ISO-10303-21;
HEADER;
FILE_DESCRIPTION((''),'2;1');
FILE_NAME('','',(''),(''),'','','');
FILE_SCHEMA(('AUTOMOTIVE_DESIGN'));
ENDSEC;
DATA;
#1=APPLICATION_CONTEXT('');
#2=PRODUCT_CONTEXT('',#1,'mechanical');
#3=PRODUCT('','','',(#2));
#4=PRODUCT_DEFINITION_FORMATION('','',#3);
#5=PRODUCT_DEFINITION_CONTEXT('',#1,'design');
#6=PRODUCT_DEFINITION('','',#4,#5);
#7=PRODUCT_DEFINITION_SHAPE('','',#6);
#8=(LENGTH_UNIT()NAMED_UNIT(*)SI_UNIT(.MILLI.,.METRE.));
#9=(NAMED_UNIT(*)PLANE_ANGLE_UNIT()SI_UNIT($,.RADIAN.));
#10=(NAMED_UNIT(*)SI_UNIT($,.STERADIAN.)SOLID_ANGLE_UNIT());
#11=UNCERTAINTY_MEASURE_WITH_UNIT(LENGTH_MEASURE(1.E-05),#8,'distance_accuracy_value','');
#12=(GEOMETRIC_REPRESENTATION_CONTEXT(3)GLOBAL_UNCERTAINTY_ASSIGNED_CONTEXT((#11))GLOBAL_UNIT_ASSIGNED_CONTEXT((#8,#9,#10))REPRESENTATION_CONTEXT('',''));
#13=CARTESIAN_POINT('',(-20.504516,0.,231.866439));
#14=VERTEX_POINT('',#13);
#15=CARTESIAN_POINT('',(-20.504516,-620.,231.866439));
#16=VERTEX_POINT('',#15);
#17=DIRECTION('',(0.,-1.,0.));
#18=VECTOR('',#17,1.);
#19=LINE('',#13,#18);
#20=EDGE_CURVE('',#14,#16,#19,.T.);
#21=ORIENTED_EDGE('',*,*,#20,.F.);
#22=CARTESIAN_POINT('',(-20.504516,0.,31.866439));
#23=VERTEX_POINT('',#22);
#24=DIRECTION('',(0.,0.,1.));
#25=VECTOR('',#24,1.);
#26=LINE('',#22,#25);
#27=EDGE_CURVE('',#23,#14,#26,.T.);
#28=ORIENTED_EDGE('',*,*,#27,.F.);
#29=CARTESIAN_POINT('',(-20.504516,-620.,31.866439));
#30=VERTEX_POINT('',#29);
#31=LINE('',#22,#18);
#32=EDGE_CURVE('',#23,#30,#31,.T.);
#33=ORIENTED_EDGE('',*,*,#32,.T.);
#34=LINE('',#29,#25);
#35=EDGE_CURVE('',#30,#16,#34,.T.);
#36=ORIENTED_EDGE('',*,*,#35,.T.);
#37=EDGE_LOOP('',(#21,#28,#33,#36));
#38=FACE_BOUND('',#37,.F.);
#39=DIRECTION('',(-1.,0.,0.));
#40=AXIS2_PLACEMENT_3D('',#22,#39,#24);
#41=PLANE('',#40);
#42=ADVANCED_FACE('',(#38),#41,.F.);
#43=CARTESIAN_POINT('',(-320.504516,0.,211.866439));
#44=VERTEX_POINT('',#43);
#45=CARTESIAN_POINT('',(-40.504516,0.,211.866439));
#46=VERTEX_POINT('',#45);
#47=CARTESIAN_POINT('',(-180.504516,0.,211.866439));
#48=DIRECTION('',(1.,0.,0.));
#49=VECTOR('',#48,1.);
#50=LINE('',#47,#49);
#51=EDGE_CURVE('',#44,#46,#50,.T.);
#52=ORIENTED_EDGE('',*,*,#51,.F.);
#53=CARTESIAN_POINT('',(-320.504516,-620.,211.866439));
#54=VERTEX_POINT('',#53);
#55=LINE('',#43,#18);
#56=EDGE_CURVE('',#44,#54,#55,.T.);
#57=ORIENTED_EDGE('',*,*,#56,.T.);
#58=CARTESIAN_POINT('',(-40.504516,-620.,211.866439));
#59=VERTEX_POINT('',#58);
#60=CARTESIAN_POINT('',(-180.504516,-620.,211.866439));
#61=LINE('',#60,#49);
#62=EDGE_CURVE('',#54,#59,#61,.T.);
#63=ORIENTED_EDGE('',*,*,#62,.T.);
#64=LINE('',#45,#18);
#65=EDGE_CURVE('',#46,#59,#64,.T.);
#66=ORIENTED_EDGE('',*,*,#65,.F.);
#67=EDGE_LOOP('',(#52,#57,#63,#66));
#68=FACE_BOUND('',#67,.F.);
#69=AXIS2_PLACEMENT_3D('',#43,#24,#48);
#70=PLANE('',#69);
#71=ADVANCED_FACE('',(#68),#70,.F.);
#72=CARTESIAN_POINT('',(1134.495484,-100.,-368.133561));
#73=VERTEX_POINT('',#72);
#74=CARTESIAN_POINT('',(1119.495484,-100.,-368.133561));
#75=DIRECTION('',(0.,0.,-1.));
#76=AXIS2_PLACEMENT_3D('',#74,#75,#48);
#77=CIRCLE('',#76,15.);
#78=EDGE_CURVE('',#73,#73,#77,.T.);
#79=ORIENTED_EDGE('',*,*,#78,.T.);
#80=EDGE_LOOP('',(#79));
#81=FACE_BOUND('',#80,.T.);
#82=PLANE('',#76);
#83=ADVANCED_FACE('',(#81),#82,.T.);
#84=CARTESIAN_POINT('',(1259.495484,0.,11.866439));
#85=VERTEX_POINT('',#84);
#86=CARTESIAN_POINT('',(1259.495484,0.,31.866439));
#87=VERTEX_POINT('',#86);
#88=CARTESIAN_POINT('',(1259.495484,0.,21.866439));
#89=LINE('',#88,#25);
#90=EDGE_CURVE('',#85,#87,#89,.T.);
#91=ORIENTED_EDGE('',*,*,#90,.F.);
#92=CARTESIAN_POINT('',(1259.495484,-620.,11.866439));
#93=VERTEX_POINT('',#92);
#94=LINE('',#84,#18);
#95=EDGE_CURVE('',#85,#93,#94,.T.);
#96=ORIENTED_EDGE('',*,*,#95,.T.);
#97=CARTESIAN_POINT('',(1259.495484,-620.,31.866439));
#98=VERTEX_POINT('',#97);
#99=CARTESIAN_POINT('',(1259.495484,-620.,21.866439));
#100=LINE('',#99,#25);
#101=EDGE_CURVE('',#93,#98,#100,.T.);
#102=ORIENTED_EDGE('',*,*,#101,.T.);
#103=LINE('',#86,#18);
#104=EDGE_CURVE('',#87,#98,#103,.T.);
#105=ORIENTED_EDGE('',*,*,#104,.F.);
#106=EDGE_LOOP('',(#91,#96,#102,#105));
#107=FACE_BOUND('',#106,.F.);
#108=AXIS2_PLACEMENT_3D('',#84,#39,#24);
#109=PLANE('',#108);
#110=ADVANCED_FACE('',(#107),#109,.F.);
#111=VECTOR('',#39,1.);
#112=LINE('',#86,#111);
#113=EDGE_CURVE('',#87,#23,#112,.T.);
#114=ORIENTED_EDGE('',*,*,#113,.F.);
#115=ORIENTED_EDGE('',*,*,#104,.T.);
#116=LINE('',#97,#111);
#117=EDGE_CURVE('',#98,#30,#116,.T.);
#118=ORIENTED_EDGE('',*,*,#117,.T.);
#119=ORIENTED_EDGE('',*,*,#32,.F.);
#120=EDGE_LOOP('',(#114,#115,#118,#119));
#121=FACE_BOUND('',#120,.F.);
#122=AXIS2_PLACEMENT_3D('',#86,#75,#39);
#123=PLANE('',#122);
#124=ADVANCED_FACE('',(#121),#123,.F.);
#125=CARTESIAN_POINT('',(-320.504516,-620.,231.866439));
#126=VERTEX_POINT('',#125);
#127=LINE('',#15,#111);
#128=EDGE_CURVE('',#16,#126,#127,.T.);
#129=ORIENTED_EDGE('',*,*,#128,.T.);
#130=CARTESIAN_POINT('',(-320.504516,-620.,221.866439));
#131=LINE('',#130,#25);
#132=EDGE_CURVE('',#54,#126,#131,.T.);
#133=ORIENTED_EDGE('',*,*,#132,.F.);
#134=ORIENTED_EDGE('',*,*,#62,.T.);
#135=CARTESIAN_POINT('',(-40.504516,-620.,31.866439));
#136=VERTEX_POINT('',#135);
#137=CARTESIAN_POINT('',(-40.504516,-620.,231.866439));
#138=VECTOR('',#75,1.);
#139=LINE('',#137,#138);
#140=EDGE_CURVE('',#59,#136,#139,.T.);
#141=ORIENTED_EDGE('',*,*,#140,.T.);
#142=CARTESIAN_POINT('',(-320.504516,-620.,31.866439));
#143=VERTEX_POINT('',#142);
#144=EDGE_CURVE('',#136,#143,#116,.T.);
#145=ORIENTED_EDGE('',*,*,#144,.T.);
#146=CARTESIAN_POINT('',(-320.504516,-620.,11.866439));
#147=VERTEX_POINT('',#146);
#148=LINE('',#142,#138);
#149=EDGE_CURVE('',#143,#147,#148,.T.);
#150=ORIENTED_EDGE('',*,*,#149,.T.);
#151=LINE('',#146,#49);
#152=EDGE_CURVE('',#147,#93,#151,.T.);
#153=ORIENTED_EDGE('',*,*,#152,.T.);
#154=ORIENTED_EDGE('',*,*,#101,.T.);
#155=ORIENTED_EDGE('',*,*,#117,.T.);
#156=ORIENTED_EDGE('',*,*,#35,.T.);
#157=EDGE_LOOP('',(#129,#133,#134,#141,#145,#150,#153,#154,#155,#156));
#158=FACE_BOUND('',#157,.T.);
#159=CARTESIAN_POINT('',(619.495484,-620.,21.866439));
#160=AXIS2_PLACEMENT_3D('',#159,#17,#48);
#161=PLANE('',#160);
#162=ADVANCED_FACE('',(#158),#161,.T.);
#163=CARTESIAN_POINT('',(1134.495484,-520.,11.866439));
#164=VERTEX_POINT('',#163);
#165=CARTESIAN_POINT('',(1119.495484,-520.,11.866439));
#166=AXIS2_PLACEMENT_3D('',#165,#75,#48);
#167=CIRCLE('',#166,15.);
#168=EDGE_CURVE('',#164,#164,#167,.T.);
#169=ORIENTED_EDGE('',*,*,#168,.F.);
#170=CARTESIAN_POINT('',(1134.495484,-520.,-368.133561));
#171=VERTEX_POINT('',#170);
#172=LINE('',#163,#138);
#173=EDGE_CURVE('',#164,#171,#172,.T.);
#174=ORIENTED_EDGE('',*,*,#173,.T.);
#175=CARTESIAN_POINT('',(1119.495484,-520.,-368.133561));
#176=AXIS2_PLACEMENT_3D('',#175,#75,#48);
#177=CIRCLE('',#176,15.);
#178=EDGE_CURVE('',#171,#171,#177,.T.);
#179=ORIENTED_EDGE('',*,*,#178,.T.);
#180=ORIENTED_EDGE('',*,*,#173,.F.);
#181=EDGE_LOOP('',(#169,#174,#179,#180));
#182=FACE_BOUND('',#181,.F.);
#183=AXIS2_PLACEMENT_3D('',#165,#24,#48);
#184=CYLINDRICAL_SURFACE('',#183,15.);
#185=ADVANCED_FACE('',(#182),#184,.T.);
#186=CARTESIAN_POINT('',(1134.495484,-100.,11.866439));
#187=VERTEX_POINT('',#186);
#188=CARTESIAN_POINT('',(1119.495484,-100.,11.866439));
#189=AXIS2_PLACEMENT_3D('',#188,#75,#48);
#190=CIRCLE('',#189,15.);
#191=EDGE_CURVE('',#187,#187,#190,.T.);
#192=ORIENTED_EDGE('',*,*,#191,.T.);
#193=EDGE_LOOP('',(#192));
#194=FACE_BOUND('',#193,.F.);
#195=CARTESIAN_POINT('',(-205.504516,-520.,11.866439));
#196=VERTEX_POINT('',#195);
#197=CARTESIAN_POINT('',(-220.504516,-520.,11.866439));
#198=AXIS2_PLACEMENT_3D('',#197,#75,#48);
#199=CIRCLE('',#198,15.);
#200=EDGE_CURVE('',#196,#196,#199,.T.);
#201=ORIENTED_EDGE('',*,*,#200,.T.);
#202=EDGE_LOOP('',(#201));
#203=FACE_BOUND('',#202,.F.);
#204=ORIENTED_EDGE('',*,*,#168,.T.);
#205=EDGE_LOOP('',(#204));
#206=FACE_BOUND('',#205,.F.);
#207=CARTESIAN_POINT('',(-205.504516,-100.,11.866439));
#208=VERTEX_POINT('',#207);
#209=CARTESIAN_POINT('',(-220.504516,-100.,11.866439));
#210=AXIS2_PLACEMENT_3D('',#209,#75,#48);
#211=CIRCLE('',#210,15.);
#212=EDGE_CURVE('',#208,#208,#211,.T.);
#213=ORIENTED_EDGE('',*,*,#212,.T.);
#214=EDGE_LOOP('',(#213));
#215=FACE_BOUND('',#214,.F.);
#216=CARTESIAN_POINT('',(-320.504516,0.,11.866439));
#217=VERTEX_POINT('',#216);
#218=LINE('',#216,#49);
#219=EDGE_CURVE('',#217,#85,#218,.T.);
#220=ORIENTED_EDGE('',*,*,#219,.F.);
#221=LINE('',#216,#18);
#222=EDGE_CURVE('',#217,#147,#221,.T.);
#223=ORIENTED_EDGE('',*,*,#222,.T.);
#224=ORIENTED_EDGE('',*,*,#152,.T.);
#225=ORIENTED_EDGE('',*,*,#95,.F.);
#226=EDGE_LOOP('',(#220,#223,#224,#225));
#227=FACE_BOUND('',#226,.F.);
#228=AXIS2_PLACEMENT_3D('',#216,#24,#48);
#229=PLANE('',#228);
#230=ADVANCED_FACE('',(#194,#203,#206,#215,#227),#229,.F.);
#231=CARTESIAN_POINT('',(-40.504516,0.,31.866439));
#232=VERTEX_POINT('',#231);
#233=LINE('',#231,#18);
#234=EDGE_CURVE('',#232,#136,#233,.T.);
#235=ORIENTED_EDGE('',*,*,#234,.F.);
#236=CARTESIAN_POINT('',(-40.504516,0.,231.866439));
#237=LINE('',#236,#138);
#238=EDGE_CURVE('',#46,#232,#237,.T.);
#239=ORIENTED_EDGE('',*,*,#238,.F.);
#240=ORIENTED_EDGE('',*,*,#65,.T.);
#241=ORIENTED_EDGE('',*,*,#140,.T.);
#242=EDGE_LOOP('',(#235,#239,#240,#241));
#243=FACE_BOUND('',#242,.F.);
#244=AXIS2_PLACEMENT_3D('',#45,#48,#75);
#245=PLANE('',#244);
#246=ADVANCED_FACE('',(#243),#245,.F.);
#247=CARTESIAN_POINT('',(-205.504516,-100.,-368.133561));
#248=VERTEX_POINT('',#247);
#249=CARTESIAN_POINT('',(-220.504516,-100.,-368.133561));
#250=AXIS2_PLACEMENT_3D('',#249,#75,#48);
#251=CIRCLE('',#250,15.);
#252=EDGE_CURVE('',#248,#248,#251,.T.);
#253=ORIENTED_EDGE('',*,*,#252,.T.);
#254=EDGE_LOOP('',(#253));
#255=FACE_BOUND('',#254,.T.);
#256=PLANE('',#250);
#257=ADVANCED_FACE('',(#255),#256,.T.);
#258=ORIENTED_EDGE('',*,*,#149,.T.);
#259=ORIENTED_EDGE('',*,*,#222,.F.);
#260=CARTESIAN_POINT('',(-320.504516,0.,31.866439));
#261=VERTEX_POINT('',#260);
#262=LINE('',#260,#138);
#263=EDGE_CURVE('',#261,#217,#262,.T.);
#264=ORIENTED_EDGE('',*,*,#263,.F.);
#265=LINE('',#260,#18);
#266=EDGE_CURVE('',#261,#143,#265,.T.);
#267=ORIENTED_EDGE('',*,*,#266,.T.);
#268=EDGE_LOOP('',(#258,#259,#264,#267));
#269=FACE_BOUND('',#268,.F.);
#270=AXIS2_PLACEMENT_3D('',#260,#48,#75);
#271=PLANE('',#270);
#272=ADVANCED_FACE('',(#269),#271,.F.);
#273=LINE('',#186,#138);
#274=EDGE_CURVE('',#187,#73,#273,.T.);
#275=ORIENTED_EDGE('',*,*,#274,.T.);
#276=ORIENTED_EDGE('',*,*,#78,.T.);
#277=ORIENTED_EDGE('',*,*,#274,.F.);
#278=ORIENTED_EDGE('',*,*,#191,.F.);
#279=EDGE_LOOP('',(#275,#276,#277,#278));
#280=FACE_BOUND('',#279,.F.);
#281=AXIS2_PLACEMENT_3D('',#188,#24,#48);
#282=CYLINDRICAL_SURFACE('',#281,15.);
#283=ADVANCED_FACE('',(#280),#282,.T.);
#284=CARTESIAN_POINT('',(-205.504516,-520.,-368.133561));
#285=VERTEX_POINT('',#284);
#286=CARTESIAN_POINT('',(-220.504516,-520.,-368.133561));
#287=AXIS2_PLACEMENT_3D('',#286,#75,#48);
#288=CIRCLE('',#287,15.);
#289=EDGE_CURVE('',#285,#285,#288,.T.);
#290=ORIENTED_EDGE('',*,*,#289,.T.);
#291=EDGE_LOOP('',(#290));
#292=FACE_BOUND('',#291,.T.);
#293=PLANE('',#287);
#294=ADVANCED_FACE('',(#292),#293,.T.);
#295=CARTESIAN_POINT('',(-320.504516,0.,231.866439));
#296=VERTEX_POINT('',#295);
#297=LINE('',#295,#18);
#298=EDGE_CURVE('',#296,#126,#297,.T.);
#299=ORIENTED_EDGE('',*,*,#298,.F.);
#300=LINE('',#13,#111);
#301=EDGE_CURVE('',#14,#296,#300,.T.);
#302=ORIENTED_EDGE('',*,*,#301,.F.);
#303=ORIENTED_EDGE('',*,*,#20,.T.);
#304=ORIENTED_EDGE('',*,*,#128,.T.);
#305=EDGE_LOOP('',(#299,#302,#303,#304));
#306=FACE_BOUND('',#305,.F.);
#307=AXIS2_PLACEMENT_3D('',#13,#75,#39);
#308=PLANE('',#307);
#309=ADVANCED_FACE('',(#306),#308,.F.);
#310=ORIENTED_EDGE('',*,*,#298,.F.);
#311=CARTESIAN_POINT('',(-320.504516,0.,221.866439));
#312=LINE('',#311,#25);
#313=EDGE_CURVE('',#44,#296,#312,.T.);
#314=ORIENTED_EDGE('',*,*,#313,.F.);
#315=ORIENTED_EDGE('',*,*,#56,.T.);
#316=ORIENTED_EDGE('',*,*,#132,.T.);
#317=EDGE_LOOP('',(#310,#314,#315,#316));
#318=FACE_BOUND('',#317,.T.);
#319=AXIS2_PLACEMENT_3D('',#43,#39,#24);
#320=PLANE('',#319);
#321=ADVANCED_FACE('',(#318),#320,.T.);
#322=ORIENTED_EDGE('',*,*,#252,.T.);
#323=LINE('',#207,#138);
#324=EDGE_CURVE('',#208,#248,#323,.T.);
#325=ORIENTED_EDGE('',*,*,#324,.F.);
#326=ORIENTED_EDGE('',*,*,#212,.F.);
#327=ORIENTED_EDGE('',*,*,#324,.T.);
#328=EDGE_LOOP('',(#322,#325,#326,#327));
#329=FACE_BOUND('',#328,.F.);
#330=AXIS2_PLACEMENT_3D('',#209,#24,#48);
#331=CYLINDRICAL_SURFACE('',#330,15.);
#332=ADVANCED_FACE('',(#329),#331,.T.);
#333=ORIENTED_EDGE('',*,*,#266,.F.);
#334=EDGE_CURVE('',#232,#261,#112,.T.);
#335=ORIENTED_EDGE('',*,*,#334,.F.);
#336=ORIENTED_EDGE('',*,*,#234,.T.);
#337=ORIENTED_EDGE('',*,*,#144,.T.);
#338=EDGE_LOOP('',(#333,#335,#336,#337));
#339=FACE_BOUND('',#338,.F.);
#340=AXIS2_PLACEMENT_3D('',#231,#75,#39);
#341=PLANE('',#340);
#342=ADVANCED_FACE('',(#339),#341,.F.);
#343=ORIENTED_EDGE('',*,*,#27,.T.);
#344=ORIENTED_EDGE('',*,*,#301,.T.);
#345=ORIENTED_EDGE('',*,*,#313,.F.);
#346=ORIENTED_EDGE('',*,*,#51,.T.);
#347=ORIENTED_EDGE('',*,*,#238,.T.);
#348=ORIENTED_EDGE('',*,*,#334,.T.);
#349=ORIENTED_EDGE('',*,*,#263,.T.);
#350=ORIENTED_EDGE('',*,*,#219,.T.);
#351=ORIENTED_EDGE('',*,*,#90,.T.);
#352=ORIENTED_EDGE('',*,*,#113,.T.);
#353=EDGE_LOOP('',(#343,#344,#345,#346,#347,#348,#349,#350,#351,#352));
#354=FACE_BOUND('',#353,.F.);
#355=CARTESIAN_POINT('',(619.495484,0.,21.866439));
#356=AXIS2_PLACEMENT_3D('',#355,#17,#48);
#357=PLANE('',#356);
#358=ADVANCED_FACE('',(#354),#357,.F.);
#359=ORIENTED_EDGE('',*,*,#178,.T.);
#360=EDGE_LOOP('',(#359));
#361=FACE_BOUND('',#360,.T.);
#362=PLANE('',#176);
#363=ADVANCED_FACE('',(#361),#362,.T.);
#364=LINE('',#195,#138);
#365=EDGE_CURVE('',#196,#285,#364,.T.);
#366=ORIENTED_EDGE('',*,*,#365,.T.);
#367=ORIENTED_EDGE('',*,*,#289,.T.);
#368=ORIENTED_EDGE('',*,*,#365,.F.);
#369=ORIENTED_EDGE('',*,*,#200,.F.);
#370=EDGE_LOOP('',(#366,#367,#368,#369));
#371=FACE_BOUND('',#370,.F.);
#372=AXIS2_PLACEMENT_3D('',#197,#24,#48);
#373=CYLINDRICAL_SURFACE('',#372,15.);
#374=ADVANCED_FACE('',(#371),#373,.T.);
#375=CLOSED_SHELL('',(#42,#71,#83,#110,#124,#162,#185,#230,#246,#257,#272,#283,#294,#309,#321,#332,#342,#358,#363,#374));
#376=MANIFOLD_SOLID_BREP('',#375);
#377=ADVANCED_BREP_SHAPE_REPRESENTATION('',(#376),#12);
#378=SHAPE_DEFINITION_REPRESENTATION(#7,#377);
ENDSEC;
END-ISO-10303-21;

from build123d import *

# Parameters (mm, degrees)
F0_W     = 1280
F0_H     = 20
F0_W_2   = 20
F0_H_2   = 180
F0_W_3   = 280
F1_DEPTH = 620
F2_R     = 15
F3_DEPTH = 380


with BuildPart() as f1:
    # F0 (on Front) → F1 (new body)
    with BuildSketch(Plane.XZ):
        with Locations((619.495484, 21.866439)):
            Rectangle(F0_W, F0_H)
        Polygon((-20.504516, 11.866439), (-20.504516, 31.866439), (-40.504516, 31.866439), (-320.504516, 31.866439), (-320.504516, 11.866439), align=None)
        with Locations((-30.504516, 121.866439)):
            Rectangle(F0_W_2, F0_H_2)
        with Locations((-30.504516, 221.866439)):
            Rectangle(F0_W_2, F0_H)
        with Locations((-180.504516, 221.866439)):
            Rectangle(F0_W_3, F0_H)
    extrude(amount=F1_DEPTH)

    # F2 (on face) → F3 (join)
    with BuildSketch(Plane(origin=(0, 0, 11.866439), x_dir=(1, 0, 0), z_dir=(0, 0, -1))):
        with Locations((-220.504516, 520)):
            Circle(F2_R)
        with Locations((-220.504516, 100)):
            Circle(F2_R)
        with Locations((1119.495484, 100)):
            Circle(F2_R)
        with Locations((1119.495484, 520)):
            Circle(F2_R)
    extrude(amount=F3_DEPTH)


solid = f1.part
